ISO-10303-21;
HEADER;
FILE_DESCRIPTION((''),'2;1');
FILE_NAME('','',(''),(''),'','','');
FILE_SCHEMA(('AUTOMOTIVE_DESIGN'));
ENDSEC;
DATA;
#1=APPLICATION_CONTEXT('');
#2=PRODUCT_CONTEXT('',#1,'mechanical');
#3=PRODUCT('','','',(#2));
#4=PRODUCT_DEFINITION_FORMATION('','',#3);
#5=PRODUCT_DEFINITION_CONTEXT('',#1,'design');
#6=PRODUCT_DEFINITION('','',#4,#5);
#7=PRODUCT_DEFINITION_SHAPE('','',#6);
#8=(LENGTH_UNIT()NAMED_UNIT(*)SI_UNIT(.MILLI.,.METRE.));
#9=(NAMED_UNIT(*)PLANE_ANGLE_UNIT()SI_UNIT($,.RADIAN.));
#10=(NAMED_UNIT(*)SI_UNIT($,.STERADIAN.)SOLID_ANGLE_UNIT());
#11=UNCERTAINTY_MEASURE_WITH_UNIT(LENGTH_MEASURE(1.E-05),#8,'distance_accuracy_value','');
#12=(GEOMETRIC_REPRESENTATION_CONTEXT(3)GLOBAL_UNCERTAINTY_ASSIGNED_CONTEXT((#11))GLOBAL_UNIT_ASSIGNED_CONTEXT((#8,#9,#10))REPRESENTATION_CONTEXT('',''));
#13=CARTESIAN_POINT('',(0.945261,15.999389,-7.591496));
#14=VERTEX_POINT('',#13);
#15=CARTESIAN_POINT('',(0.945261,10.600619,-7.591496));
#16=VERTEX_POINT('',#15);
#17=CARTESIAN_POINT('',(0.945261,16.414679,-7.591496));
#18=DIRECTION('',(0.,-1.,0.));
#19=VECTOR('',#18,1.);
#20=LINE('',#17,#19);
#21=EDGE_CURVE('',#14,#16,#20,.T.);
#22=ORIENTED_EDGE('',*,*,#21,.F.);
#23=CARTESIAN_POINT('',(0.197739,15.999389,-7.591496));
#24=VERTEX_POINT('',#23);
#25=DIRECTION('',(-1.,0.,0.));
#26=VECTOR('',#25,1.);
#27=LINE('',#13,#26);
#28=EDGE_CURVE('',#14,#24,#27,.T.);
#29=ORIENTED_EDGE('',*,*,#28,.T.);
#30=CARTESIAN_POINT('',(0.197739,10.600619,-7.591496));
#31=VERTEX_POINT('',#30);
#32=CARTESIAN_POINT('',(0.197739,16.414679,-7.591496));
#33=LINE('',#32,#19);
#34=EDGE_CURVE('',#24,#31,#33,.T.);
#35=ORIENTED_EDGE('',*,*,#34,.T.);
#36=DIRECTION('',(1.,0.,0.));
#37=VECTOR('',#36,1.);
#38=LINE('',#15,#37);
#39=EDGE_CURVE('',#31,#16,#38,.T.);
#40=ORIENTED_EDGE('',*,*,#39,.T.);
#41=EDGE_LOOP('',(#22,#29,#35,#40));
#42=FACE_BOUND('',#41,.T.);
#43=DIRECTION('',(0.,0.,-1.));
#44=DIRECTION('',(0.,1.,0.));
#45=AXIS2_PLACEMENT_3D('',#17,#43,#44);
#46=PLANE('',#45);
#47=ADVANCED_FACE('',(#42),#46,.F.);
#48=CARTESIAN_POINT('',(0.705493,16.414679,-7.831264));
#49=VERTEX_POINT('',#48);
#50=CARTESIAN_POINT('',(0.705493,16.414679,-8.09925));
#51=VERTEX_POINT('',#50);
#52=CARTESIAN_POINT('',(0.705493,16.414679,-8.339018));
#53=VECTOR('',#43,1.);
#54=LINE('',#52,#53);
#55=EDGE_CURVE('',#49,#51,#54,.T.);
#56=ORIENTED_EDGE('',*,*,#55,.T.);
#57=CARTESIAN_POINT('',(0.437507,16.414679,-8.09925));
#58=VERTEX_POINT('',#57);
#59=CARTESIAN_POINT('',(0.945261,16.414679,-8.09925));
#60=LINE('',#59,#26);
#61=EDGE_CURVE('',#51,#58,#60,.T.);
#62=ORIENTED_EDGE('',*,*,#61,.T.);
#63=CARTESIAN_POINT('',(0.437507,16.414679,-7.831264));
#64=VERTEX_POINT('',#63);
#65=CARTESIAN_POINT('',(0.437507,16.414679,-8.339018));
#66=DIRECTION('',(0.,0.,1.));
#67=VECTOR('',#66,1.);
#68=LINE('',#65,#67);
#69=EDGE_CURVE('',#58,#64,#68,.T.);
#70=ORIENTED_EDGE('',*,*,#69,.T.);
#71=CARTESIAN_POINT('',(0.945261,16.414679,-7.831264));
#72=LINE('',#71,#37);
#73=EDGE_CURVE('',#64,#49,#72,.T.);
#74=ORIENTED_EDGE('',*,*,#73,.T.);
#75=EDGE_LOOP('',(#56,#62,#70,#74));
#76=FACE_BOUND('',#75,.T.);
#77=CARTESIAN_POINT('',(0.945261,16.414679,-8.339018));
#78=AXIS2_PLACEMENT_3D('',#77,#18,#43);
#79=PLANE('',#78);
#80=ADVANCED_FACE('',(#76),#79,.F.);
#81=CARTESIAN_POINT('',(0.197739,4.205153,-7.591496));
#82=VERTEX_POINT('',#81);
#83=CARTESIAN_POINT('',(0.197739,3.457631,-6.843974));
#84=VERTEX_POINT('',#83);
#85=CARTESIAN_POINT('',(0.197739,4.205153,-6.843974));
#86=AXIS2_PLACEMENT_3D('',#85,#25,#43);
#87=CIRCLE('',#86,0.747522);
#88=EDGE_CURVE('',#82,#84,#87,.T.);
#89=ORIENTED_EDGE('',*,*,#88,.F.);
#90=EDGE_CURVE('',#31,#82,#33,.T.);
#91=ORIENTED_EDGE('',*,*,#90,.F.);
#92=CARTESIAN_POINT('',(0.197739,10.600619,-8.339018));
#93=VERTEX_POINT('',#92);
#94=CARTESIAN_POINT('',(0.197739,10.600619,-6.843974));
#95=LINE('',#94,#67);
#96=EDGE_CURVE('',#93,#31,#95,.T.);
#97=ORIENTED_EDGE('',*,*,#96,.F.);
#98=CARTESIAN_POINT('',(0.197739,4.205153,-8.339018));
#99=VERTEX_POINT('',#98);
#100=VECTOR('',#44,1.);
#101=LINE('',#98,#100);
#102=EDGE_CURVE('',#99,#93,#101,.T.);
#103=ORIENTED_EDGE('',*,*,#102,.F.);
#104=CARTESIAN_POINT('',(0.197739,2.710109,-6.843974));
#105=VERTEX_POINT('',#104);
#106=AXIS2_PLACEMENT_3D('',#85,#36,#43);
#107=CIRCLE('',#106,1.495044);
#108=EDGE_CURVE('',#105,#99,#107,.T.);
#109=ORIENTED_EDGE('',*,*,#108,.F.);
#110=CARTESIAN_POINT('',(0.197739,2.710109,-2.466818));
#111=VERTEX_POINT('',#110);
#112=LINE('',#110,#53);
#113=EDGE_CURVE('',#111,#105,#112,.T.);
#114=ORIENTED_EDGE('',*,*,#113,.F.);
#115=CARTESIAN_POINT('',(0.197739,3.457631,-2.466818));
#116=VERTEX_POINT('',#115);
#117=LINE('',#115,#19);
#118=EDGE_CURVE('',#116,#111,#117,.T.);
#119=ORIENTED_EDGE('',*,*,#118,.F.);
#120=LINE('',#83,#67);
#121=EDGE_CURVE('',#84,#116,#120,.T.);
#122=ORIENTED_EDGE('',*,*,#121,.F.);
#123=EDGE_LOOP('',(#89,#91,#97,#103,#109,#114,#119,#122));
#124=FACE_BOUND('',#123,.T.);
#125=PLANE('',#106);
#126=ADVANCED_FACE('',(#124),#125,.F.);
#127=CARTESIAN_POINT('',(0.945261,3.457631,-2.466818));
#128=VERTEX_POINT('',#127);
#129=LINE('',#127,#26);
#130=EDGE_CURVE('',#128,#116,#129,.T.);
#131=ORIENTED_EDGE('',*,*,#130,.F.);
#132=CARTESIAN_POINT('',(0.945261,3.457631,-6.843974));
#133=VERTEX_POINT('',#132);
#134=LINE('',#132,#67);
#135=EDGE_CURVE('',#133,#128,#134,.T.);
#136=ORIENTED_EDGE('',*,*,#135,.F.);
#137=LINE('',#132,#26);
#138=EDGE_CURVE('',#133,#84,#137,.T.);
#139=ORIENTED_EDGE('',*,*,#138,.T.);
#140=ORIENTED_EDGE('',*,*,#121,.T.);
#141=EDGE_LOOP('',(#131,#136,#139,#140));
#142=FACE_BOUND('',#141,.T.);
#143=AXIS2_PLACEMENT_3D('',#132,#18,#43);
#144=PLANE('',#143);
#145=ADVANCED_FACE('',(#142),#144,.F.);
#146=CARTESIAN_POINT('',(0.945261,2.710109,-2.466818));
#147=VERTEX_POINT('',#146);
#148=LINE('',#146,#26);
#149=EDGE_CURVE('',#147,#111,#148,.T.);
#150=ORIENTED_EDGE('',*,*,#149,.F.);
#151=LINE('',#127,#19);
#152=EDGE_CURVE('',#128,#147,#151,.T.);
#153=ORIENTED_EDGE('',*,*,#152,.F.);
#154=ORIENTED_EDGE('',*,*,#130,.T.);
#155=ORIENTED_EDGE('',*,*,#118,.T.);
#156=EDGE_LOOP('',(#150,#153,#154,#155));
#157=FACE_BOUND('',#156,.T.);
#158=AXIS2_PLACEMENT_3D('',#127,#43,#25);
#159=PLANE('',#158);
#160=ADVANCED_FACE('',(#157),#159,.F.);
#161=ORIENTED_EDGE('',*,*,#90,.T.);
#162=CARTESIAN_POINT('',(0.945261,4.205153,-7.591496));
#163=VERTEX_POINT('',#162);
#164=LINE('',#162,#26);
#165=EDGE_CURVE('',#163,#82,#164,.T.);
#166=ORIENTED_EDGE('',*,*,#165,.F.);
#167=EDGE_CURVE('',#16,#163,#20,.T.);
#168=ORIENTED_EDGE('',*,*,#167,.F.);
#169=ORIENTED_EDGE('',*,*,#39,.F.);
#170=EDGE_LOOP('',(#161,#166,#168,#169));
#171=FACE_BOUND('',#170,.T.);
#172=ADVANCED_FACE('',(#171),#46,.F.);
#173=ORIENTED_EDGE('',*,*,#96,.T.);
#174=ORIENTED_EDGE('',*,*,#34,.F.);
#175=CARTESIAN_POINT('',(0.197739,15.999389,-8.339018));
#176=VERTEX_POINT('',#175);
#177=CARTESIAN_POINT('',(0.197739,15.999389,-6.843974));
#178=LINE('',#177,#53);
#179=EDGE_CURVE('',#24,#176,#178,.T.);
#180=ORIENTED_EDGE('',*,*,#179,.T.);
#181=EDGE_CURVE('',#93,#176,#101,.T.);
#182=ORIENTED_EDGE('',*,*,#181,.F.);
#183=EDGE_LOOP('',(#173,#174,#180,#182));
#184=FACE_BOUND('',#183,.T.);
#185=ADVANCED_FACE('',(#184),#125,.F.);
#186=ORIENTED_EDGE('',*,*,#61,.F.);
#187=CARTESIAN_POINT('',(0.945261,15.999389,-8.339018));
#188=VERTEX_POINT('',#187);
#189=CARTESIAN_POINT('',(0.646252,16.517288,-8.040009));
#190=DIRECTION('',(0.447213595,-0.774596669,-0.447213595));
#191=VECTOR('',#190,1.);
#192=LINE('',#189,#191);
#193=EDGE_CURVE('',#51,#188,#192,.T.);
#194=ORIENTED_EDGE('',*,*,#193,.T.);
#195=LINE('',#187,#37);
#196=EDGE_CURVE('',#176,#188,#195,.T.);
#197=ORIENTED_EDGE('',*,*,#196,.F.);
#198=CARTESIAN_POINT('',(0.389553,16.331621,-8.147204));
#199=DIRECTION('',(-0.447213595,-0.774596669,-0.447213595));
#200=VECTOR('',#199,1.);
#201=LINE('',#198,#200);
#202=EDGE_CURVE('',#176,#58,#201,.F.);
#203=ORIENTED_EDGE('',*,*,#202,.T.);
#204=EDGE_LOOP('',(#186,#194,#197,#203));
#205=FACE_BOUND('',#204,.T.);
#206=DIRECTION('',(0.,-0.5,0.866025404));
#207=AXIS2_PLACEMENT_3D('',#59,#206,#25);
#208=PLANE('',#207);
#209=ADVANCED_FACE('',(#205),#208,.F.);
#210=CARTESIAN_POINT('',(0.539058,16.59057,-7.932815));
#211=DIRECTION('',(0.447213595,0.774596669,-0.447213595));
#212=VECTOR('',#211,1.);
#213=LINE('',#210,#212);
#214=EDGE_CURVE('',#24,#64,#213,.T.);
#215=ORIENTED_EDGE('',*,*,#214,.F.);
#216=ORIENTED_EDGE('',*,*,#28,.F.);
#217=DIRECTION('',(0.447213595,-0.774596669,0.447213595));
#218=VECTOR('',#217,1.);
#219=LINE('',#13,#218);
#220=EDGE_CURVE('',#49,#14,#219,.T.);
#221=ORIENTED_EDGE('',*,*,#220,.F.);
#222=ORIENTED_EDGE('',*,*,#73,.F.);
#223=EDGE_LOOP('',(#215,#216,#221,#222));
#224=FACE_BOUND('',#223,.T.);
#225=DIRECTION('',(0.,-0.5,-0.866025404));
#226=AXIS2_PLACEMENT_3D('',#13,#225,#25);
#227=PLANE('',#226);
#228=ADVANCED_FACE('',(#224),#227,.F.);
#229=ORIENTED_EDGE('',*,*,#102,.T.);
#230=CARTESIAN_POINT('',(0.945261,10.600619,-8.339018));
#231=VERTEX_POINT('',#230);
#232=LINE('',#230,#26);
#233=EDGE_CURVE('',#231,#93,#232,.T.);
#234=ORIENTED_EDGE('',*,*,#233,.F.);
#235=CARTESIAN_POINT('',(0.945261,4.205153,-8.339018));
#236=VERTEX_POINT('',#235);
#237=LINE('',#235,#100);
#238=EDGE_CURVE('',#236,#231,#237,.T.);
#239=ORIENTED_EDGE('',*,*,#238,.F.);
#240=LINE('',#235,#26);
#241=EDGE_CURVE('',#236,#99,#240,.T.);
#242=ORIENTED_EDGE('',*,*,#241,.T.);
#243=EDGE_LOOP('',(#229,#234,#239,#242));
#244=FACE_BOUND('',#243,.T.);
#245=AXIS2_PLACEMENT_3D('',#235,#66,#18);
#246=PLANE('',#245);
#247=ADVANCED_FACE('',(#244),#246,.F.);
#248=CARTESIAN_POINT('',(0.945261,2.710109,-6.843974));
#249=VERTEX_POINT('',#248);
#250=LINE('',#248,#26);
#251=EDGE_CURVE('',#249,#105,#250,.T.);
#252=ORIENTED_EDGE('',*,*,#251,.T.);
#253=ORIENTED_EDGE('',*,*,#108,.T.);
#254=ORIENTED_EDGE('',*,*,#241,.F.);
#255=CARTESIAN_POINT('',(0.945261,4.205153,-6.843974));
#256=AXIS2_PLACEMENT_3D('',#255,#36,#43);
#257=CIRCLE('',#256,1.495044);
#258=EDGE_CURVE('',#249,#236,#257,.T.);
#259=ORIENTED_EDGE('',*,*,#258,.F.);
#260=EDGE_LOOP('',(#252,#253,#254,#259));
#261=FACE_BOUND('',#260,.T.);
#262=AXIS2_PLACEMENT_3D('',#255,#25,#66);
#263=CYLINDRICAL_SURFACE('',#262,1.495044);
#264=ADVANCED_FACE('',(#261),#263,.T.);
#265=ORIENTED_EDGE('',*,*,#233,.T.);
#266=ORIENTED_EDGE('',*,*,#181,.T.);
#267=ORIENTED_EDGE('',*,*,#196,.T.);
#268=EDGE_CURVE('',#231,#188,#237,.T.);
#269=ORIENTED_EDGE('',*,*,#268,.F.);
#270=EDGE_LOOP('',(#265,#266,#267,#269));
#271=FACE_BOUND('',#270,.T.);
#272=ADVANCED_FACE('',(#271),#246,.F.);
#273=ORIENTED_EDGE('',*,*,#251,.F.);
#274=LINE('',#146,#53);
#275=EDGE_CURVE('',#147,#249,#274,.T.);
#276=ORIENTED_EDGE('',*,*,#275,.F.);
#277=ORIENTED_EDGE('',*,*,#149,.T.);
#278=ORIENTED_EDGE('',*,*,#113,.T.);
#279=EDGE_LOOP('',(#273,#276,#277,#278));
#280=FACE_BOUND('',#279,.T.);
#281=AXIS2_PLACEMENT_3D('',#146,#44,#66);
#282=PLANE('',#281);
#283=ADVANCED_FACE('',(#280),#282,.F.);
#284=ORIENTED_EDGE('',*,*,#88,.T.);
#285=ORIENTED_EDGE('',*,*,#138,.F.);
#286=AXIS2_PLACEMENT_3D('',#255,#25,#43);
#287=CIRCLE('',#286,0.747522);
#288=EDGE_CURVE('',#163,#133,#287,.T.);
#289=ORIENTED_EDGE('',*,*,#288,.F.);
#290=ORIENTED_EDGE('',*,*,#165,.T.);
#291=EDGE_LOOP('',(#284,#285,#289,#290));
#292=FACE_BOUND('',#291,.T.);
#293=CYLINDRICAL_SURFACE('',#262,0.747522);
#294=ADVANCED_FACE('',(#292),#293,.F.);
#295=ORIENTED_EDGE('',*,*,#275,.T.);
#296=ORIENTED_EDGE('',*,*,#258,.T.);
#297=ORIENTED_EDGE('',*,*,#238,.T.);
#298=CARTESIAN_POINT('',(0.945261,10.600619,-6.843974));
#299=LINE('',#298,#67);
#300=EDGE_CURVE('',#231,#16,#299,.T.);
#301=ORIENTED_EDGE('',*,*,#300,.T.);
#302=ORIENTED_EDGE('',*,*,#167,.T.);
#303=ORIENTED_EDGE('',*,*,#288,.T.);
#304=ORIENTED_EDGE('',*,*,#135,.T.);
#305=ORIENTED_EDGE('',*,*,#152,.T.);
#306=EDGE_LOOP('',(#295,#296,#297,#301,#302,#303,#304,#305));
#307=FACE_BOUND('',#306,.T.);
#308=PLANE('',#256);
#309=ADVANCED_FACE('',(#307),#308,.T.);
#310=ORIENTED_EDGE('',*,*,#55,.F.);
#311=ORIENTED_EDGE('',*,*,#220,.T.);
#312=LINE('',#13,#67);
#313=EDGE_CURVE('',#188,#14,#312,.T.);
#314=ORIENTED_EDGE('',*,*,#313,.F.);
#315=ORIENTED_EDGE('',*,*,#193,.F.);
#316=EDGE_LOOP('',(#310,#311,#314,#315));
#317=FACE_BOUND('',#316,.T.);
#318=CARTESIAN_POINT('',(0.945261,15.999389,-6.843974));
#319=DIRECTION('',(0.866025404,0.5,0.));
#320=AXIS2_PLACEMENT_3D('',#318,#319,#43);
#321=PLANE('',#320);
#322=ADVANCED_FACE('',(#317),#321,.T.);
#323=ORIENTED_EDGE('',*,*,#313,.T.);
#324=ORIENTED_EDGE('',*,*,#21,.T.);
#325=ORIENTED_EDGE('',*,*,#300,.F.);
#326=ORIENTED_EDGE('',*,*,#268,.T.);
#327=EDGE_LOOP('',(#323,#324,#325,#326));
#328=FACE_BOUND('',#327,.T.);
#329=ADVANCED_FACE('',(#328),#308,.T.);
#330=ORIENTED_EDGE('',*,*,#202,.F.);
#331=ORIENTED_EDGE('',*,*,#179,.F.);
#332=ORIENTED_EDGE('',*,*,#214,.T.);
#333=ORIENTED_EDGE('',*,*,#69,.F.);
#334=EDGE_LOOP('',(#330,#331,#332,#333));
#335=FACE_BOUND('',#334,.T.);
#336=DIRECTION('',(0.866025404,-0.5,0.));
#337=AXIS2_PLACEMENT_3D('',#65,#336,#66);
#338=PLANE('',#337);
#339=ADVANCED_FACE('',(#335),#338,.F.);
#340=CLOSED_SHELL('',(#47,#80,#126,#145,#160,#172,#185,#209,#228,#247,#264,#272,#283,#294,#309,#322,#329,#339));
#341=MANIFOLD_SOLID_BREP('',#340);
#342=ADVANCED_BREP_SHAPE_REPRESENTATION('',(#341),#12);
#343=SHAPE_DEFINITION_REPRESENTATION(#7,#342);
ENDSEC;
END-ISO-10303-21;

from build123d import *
from OCP.BRepFilletAPI import BRepFilletAPI_MakeChamfer

# Parameters (mm, degrees)
BOSS_EXTRUDE1_DEPTH = 1.143
CHAMFER1_SIZE       = 0.635
CHAMFER1_SIZE2      = 0.366617421
SCALE1_SCALE        = 0.654


with BuildPart() as part:
    # Sketch1 → Boss-Extrude1 (new body)
    with BuildSketch(Plane(origin=(0, 0, 0), x_dir=(0, 0, -1), z_dir=(1, 0, 0))):
        with BuildLine():
            Line((8.9789, 2.286), (8.9789, 20.955))
            Line((8.9789, 20.955), (7.8359, 20.955))
            Line((7.8359, 20.955), (7.8359, 2.286))
            ThreePointArc((7.8359, 2.286), (7.501123051, 1.477776949), (6.6929, 1.143))
            Line((6.6929, 1.143), (0, 1.143))
            Line((0, 1.143), (0, 0))
            Line((0, 0), (6.6929, 0))
            ThreePointArc((6.6929, 0), (8.309346102, 0.669553898), (8.9789, 2.286))
        make_face()
    extrude(amount=BOSS_EXTRUDE1_DEPTH)

    # Chamfer1: one chamfer whose edges measure the first distance from different faces: ONE call of the kernel's chamfer builder (chamfer() names one face for all edges)
    chamfer1_edges_1 = [part.edges().sort_by_distance(p)[0] for p in [
        (0.5715, 20.955, -7.8359),
    ]]
    chamfer1_side_1 = [part.faces().sort_by_distance(p)[0] for p in [
        (0.5715, 11.6205, -7.8359),
    ]]
    chamfer1_edges_2 = [part.edges().sort_by_distance(p)[0] for p in [
        (0.5715, 20.955, -8.9789),
    ]]
    chamfer1_side_2 = [part.faces().sort_by_distance(p)[0] for p in [
        (0.5715, 11.6205, -8.9789),
    ]]
    chamfer1_edges_3 = [part.edges().sort_by_distance(p)[0] for p in [
        (1.143, 20.955, -8.4074),
    ]]
    chamfer1_side_3 = [part.faces().sort_by_distance(p)[0] for p in [
        (1.143, 0.8307576, -8.1481424),
    ]]
    chamfer1_edges_4 = [part.edges().sort_by_distance(p)[0] for p in [
        (0, 20.955, -8.4074),
    ]]
    chamfer1_side_4 = [part.faces().sort_by_distance(p)[0] for p in [
        (0, 0.8307576, -8.1481424),
    ]]
    chamfer1 = BRepFilletAPI_MakeChamfer(part.part.solid().wrapped)
    for e in chamfer1_edges_1:
        chamfer1.Add(CHAMFER1_SIZE, CHAMFER1_SIZE2, e.wrapped, chamfer1_side_1[0].wrapped)  # the first distance lies on this face
    for e in chamfer1_edges_2:
        chamfer1.Add(CHAMFER1_SIZE, CHAMFER1_SIZE2, e.wrapped, chamfer1_side_2[0].wrapped)  # the first distance lies on this face
    for e in chamfer1_edges_3:
        chamfer1.Add(CHAMFER1_SIZE, CHAMFER1_SIZE2, e.wrapped, chamfer1_side_3[0].wrapped)  # the first distance lies on this face
    for e in chamfer1_edges_4:
        chamfer1.Add(CHAMFER1_SIZE, CHAMFER1_SIZE2, e.wrapped, chamfer1_side_4[0].wrapped)  # the first distance lies on this face
    add(Compound.cast(chamfer1.Shape()), mode=Mode.REPLACE)


with BuildPart() as part_1:
    # Scale1: scaled about (0.5715, 7.832685678, -7.129530876)
    add(part.part.scale(SCALE1_SCALE).moved(Location((0.197739, 2.710109245, -2.466817683))))


solid = part_1.part
